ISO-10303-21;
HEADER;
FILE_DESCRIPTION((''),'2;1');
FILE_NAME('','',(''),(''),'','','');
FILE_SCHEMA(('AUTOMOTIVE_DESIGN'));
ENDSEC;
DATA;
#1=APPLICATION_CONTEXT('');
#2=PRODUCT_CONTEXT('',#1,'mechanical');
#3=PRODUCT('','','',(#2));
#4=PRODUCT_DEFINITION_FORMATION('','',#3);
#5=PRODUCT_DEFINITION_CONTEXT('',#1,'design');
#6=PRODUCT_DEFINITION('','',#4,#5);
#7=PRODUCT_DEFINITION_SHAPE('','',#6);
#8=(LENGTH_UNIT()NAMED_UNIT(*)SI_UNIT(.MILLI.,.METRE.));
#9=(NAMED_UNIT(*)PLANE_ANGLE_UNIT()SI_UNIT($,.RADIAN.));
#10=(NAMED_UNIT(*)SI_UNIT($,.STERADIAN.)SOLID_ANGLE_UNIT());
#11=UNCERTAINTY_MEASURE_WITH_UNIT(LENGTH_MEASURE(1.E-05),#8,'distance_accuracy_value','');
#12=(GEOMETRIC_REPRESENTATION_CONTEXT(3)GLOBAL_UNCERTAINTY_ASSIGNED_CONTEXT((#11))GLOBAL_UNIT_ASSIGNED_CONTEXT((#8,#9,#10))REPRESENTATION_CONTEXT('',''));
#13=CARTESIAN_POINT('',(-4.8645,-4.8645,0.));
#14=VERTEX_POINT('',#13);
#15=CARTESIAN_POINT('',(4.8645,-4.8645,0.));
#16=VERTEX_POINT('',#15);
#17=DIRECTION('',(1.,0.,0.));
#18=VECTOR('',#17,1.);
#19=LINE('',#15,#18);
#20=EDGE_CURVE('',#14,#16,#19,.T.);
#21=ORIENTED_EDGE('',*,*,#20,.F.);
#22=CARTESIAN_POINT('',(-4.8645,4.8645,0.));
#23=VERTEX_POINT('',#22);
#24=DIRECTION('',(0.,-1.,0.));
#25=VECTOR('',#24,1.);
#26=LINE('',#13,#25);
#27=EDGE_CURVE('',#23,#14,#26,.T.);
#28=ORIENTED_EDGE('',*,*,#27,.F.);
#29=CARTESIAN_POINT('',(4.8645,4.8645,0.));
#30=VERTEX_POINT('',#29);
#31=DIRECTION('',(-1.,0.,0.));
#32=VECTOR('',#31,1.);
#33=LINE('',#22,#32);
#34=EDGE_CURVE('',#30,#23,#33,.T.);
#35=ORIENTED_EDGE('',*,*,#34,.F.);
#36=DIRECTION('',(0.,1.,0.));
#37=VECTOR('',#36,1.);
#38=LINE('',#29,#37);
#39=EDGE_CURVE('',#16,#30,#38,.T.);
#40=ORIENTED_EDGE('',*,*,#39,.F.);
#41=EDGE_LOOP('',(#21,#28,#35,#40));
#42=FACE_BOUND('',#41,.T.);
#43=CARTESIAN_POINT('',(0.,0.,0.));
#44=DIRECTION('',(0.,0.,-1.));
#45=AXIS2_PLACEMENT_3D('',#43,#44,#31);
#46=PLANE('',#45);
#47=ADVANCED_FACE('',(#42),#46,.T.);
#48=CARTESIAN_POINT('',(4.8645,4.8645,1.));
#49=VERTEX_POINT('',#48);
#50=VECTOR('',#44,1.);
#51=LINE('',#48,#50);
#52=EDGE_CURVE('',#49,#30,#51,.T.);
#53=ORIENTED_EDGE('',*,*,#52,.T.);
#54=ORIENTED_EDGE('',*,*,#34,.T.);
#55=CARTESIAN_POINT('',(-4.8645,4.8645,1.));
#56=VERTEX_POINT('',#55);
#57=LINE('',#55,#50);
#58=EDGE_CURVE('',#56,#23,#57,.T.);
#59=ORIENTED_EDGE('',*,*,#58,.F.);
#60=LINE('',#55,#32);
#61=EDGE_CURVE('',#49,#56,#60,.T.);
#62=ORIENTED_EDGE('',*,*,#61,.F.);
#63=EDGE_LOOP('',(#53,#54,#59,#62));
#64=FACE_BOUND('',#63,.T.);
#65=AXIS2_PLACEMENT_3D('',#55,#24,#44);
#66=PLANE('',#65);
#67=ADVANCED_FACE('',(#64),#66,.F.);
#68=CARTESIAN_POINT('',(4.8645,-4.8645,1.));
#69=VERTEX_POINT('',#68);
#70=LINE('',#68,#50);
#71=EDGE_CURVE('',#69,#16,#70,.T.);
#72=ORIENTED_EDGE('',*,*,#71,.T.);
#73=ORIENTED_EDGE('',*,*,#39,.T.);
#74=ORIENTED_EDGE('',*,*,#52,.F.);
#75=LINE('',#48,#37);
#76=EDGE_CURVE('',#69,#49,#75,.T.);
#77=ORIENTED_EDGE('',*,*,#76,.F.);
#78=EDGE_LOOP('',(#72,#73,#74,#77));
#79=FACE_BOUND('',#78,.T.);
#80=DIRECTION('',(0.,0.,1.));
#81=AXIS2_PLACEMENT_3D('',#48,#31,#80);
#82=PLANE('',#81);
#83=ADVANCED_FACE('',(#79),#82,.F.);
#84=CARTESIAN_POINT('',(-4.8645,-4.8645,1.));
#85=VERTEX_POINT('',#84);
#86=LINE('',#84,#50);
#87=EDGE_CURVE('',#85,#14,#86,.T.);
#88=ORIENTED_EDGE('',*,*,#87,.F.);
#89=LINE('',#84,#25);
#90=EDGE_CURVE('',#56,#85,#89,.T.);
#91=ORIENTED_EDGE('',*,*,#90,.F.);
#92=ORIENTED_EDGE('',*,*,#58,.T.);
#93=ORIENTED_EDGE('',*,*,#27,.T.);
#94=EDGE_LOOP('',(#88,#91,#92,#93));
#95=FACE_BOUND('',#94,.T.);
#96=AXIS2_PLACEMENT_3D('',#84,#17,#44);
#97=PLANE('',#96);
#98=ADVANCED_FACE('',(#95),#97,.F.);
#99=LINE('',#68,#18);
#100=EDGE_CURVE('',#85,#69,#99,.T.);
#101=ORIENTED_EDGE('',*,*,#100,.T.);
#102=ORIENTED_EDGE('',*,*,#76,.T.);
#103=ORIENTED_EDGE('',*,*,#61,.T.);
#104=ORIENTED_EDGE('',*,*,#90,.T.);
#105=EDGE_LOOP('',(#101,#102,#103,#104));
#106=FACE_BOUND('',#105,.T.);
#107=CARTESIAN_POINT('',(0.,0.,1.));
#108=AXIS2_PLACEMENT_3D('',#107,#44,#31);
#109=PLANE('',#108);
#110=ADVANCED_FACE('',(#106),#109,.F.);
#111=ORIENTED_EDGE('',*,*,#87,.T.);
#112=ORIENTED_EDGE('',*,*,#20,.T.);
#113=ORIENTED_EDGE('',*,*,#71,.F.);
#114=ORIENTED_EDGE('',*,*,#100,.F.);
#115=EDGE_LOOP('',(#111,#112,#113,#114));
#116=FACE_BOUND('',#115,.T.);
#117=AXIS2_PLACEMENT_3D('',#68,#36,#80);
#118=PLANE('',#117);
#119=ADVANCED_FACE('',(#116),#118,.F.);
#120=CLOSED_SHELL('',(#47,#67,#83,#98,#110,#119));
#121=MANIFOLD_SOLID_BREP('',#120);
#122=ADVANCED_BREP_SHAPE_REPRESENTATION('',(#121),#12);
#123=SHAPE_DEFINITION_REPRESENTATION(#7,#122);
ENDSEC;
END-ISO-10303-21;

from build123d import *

# Parameters (mm, degrees)
SKETCH1_W               = 9.729
SKETCH1_H               = 9.729
COMPONENT_OUTLINE_DEPTH = 1


with BuildPart() as part:
    # Sketch1 → Component_Outline (new body)
    with BuildSketch(Plane.XY):
        Rectangle(SKETCH1_W, SKETCH1_H)
    extrude(amount=COMPONENT_OUTLINE_DEPTH)


solid = part.part
